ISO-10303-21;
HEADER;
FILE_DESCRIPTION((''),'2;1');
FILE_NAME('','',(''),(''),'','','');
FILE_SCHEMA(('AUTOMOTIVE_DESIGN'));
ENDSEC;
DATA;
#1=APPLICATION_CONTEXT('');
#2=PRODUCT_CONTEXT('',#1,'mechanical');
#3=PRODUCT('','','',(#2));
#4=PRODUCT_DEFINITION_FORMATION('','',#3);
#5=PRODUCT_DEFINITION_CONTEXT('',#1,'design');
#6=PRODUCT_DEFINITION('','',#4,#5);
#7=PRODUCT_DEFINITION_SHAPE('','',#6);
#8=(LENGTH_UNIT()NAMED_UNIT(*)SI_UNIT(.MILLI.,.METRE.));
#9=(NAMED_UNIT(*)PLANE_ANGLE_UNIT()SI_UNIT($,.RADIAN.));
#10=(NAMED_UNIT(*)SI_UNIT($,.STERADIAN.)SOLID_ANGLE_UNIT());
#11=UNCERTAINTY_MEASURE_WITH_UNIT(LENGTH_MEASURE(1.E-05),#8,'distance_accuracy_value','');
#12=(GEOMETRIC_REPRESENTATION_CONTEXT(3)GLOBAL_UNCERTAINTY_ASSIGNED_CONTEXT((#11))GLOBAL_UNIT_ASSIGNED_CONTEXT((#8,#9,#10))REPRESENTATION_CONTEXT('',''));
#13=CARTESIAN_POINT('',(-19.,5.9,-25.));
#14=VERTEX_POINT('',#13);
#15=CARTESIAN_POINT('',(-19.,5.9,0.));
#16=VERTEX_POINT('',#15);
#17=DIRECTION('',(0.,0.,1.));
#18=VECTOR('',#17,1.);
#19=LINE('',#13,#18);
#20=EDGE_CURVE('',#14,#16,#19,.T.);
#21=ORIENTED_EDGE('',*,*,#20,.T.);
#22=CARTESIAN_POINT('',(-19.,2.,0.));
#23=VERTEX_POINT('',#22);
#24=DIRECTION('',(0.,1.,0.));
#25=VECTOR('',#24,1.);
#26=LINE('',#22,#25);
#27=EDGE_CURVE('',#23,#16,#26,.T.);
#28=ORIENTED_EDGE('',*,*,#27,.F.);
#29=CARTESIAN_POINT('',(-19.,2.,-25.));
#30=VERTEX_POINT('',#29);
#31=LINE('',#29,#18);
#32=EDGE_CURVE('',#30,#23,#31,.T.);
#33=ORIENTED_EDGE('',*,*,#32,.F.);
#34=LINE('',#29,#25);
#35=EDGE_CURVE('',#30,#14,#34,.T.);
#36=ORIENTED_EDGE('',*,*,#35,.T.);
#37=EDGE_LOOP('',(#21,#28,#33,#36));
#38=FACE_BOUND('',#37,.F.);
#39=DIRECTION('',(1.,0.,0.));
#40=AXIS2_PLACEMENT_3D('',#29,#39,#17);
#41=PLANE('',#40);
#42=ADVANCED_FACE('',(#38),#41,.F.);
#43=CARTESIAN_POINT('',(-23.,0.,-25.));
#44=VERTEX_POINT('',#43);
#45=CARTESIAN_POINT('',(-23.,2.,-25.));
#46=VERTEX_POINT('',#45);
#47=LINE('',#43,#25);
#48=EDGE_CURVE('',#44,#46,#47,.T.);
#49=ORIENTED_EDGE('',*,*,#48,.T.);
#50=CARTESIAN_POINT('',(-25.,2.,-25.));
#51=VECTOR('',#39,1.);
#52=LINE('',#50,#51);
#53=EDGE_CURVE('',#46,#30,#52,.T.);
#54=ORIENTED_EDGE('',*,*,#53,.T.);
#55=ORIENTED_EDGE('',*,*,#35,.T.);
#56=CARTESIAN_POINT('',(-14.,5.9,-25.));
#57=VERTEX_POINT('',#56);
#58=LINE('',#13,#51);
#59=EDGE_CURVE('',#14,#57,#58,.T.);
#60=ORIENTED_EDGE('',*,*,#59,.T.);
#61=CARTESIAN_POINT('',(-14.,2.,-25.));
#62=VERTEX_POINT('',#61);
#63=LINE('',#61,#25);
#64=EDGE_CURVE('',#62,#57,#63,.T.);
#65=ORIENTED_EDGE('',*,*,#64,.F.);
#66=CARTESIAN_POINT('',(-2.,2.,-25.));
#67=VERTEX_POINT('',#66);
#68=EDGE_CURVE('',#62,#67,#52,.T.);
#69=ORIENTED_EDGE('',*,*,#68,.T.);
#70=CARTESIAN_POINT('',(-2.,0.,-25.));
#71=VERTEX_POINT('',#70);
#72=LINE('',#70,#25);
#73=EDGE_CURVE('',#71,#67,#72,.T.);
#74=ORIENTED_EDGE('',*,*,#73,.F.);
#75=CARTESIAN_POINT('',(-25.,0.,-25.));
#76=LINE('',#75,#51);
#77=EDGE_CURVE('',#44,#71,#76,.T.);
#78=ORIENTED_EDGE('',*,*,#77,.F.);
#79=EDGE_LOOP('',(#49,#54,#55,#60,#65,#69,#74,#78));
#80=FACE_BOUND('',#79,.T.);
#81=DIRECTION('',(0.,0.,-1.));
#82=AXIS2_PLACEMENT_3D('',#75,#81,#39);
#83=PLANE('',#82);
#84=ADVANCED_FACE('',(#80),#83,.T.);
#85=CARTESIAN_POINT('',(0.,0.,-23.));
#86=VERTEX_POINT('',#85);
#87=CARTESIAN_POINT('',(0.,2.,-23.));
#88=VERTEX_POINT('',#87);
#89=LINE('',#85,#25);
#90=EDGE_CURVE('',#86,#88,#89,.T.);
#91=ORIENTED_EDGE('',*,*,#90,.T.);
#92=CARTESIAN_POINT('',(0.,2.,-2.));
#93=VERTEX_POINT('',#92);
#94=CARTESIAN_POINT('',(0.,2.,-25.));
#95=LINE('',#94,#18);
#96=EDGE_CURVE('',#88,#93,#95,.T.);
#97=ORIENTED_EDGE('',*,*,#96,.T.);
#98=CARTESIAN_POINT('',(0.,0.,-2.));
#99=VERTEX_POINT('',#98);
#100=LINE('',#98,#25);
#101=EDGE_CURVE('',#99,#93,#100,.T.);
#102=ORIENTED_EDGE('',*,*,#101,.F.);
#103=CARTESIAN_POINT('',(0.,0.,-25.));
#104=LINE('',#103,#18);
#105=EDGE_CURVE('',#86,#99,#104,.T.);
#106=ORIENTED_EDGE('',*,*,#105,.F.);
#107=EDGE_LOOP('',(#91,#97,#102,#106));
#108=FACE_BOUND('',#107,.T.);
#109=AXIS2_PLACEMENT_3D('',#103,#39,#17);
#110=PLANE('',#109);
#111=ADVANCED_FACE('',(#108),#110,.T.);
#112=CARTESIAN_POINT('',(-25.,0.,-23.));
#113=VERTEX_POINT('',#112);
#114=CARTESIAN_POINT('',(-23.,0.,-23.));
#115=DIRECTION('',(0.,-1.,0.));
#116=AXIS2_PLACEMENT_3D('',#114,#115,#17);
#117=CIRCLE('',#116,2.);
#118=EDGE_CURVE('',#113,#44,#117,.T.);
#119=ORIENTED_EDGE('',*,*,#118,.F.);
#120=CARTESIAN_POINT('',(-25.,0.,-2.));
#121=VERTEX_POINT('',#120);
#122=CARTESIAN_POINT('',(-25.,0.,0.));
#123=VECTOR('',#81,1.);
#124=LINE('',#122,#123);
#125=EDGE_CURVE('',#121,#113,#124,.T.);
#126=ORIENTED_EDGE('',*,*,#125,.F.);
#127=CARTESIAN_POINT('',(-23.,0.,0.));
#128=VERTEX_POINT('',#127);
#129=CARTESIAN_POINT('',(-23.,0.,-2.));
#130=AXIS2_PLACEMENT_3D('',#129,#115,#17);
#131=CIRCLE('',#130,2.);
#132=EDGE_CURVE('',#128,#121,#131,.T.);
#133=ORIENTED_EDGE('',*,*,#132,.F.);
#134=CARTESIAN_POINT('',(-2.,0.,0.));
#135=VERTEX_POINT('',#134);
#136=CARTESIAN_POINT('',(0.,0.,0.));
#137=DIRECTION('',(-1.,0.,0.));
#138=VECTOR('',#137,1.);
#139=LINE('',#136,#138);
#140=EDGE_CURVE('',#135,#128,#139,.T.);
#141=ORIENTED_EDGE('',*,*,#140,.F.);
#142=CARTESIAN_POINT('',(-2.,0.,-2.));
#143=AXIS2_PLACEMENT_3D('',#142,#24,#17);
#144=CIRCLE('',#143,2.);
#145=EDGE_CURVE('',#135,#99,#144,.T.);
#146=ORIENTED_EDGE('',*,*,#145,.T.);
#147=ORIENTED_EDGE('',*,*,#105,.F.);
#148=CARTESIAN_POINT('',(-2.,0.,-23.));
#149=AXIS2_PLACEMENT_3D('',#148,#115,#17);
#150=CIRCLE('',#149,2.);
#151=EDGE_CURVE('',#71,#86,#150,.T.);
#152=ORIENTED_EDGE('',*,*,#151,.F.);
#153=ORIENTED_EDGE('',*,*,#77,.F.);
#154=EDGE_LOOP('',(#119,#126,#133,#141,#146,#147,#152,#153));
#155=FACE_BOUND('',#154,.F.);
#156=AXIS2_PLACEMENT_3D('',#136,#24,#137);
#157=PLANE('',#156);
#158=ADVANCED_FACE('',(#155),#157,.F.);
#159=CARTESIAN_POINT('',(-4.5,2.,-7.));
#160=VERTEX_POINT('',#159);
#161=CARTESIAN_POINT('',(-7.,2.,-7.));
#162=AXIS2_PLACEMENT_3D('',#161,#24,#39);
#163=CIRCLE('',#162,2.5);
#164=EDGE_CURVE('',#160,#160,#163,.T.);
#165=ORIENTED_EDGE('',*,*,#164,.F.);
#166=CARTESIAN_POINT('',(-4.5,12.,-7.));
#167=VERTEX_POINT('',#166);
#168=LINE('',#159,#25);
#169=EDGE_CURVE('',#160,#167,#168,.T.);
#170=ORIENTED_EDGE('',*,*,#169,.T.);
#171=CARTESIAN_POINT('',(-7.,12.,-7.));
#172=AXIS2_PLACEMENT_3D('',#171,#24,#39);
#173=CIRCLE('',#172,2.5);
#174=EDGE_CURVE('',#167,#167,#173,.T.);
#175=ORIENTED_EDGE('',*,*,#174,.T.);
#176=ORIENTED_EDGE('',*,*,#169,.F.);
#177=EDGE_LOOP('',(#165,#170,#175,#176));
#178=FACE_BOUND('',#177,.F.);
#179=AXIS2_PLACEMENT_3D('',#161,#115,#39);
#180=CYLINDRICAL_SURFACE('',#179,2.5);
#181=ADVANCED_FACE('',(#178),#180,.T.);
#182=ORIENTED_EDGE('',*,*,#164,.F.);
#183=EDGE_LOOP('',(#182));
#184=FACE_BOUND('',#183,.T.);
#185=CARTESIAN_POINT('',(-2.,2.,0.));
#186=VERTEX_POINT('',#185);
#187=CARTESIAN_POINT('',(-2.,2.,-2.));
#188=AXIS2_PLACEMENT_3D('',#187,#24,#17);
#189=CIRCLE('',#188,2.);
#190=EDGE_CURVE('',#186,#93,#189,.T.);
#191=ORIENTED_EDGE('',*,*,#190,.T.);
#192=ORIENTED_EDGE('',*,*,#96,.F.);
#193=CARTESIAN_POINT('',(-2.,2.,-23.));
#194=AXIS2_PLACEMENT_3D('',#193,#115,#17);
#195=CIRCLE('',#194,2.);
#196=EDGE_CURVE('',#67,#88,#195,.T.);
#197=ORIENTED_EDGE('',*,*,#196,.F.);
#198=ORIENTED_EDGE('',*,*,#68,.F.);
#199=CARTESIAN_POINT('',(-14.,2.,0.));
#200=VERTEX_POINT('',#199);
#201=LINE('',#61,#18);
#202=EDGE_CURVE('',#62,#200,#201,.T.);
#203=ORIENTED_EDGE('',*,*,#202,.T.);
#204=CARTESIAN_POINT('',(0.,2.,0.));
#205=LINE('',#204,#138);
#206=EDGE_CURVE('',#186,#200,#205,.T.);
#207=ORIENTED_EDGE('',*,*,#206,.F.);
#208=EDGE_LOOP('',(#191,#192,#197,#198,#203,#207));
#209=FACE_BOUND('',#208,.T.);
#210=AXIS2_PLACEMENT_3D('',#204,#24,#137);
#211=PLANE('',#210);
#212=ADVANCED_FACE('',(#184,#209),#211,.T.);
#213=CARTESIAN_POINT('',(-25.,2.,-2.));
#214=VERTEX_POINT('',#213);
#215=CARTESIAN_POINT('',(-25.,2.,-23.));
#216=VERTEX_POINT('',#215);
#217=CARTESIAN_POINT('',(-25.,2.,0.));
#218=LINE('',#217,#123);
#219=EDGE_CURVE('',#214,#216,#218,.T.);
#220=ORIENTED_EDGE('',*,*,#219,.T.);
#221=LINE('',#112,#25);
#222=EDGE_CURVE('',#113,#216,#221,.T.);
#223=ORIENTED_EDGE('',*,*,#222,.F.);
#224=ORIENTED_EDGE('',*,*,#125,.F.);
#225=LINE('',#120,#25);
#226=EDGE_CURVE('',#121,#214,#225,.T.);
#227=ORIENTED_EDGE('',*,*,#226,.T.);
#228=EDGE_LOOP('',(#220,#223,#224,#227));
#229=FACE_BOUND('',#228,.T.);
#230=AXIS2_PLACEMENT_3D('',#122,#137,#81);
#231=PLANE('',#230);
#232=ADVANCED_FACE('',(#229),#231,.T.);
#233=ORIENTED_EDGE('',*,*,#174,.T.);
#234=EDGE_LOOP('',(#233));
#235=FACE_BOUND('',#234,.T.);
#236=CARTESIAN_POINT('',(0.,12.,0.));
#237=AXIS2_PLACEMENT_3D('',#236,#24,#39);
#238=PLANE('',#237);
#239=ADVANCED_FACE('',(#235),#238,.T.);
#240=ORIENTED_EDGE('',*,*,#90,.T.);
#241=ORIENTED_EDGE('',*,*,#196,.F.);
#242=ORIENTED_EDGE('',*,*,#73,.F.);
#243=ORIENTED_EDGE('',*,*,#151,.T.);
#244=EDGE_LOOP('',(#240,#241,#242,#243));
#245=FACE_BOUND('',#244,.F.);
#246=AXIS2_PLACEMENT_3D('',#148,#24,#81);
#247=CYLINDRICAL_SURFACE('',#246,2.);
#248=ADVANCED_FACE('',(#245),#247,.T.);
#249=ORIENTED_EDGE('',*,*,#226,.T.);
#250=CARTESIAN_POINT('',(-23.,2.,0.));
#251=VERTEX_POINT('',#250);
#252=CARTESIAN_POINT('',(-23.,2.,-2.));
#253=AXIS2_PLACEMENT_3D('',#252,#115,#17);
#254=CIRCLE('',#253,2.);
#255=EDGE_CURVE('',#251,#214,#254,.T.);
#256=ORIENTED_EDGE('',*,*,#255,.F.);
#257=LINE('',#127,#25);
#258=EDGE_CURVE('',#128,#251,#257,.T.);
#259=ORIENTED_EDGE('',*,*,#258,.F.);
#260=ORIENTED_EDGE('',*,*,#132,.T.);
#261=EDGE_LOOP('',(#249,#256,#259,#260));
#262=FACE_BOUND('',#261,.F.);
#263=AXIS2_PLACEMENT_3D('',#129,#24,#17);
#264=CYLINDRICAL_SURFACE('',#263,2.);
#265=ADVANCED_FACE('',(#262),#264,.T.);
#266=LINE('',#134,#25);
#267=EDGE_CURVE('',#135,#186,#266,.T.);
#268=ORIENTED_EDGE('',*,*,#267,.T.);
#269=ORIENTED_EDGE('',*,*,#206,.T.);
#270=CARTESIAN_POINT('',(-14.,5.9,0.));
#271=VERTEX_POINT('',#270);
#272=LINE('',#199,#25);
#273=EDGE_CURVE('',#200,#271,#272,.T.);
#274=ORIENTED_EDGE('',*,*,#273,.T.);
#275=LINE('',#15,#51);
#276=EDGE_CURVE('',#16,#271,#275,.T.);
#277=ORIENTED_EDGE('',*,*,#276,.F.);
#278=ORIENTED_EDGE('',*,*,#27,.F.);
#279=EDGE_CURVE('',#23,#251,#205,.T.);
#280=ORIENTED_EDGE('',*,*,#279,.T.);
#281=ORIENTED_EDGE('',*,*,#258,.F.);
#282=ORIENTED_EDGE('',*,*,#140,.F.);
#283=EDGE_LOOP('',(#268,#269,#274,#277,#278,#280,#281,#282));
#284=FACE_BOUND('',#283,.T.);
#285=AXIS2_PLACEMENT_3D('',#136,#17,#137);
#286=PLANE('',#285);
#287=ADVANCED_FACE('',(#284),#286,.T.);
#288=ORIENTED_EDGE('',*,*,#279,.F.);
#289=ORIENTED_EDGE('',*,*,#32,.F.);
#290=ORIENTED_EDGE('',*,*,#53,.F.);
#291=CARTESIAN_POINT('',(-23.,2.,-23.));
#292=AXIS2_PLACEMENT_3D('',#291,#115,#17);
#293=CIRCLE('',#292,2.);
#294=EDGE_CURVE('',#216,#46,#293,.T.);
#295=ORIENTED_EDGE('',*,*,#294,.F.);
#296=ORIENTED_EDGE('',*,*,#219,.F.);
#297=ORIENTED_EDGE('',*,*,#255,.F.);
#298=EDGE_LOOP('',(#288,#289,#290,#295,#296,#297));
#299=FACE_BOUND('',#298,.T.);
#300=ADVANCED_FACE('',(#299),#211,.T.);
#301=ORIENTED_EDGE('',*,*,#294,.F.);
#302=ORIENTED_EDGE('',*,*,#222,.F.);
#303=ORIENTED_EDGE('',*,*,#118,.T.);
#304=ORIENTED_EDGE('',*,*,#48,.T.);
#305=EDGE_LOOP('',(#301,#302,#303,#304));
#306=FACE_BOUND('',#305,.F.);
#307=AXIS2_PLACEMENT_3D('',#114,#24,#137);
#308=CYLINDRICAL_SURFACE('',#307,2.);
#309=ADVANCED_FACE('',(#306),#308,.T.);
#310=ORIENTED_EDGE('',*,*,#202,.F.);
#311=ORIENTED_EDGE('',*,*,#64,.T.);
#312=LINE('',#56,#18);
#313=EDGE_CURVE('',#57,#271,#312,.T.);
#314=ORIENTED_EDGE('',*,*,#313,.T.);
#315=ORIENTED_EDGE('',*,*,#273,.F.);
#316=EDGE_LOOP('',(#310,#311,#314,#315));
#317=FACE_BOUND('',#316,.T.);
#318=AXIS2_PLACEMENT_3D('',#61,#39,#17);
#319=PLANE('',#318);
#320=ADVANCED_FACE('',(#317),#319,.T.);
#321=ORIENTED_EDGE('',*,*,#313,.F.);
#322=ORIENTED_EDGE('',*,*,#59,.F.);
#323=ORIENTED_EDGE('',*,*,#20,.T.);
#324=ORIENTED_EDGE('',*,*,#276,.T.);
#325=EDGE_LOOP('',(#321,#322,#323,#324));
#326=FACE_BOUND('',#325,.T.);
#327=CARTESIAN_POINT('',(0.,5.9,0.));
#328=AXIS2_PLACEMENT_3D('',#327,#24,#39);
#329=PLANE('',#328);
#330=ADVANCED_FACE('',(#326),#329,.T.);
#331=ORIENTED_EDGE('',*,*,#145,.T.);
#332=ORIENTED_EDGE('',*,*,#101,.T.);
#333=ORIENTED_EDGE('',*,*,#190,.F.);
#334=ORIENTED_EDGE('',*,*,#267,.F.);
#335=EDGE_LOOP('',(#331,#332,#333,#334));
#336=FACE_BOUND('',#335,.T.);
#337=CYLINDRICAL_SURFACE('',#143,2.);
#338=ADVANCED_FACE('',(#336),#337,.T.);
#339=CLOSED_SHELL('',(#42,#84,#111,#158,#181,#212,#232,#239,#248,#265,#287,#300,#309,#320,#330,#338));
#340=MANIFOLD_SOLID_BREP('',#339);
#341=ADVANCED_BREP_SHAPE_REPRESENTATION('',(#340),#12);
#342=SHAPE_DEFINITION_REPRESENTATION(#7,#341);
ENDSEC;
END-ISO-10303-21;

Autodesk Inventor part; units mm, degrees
ref_plane "YZ Plane" through (0, 0, 0) normal (1, 0, 0) x (0, 1, 0)
ref_plane "XZ Plane" through (0, 0, 0) normal (0, 1, 0) x (-1, 0, 0)
ref_plane "XY Plane" through (0, 0, 0) normal (0, 0, 1) x (1, 0, 0)
sketch "Sketch1" plane through (0, 0, 0) normal (0, 1, 0) x (-1, 0, 0)
  line L0 (0, 0) -> (25, 0)
  line L1 (25, 0) -> (25, -25)
  line L2 (25, -25) -> (0, -25)
  line L3 (0, -25) -> (0, 0)
  dimension "d0" = 25
  dimension "d1" = 25
extrude "Extrusion1" add sketch "Sketch1" along normal blind 2
fillet "Fillet1" radius 2 4 edges at (0, 1, 0) (0, 1, -25) (-25, 1, 0) (-25, 1, -25)
sketch "Sketch2" plane through (0, 2, 0) normal (0, 1, 0) x (1, 0, 0)
  line L0 (-19, 25) -> (-19, 0)
  line L1 (-25, 23) -> (-25, 2) projected
  line L2 (-14, 25) -> (-14, 0)
  line L3 (-19, 25) -> (-14, 25)
  line L4 (-2, 25) -> (-23, 25) projected
  line L5 (-19, 0) -> (-14, 0)
  line L6 (-23, 0) -> (-2, 0) projected
  point P0 (0, 0)
  dimension "d5" = 6
  dimension "d6" = 5
extrude "Extrusion2" add sketch "Sketch2" along normal blind 3.9
sketch "Sketch4" plane through (0, 2, 0) normal (0, 1, 0) x (1, 0, 0)
  line L0 (-2, 25) -> (-14, 25) projected
  line L1 (0, 2) -> (0, 23) projected
  circle A0 centre (-7, 7) radius 2.5
  line L2 (-14, 0) -> (-2, 0) projected
  point P0 (0, 0)
  dimension "d11" = 5
  dimension "d14" = 7
  dimension "d15" = 7
extrude "Extrusion3" add sketch "Sketch4" along normal blind 10
properties part number "tapa_canyon_cambio"
